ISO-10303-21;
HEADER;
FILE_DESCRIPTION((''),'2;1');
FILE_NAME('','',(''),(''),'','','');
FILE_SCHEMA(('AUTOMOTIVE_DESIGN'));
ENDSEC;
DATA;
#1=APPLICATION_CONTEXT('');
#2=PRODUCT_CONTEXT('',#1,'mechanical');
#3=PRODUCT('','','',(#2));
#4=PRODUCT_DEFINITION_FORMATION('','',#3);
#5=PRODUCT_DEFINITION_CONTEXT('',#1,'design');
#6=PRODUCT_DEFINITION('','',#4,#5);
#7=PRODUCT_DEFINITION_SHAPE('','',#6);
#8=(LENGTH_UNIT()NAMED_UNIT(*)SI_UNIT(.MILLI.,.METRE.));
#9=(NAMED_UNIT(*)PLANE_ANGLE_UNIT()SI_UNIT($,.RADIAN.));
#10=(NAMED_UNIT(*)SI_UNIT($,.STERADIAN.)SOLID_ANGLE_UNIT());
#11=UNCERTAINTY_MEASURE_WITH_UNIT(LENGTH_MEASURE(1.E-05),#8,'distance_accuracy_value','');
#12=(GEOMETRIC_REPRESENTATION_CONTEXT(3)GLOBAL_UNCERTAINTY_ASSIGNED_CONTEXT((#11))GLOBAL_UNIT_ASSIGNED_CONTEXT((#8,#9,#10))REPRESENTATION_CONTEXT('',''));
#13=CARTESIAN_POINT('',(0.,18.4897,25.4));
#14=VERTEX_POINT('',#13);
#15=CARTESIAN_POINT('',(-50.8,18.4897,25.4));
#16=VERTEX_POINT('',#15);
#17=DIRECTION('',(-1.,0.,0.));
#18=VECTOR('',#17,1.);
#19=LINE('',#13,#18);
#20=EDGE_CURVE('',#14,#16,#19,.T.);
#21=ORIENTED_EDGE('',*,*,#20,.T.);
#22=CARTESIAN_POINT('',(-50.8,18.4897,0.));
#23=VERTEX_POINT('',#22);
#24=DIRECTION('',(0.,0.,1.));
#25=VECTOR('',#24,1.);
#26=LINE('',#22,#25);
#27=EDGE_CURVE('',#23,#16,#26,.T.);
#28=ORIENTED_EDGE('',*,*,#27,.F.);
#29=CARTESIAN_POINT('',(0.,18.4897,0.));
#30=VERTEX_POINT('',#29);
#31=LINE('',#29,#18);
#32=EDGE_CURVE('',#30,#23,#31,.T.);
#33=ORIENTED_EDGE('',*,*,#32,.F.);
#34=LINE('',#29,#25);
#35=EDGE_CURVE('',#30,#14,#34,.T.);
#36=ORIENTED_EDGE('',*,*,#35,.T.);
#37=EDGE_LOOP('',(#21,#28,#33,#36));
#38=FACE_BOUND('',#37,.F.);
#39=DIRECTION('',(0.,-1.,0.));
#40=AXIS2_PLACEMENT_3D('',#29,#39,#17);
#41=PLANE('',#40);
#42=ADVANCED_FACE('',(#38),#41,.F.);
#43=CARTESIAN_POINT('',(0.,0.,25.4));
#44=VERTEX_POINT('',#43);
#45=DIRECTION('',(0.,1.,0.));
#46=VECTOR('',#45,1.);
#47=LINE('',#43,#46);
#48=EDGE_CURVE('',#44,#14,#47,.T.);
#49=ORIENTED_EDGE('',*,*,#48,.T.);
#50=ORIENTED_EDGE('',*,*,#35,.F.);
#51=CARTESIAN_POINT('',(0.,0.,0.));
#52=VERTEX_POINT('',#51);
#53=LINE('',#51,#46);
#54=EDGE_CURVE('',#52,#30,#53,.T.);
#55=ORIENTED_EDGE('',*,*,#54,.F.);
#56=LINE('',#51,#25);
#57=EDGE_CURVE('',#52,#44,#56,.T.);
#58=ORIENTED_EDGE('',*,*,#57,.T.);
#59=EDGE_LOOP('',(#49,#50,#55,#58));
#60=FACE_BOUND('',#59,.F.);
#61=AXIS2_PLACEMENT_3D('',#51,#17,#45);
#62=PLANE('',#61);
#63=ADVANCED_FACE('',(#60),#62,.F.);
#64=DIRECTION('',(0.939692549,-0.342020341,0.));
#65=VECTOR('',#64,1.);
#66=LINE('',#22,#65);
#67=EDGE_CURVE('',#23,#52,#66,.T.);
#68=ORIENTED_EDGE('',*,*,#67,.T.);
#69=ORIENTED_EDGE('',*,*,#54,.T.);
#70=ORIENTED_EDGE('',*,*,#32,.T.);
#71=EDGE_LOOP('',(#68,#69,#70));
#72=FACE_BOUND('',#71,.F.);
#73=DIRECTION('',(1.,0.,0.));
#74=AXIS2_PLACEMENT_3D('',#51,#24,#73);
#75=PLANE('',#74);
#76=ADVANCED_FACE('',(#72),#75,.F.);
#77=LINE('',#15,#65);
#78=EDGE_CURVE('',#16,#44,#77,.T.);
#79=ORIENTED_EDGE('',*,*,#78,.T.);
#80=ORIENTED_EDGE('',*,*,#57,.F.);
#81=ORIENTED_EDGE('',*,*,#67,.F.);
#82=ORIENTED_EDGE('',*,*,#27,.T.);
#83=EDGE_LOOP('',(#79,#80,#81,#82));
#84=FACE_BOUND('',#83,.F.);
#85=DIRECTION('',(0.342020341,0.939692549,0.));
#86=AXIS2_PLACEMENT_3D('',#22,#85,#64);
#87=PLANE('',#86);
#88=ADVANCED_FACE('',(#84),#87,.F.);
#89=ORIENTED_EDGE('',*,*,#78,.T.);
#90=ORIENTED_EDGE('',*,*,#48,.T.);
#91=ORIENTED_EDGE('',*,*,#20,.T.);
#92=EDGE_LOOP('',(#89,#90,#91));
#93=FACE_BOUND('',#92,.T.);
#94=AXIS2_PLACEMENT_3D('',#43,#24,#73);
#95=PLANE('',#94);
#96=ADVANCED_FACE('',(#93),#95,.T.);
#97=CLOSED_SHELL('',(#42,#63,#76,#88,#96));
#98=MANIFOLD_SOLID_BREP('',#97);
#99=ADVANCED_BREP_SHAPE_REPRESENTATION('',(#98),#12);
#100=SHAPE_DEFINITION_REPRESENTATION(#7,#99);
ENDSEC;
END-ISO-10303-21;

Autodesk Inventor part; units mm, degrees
ref_plane "YZ Plane" through (0, 0, 0) normal (1, 0, 0) x (0, 1, 0)
ref_plane "XZ Plane" through (0, 0, 0) normal (0, 1, 0) x (-1, 0, 0)
ref_plane "XY Plane" through (0, 0, 0) normal (0, 0, 1) x (1, 0, 0)
sketch "Sketch1" plane through (0, 0, 0) normal (0, 0, 1) x (1, 0, 0)
  line L0 (0, 0) -> (0, 18.4897)
  line L1 (0, 18.4897) -> (-50.8, 18.4897)
  line L2 (-50.8, 18.4897) -> (0, 0)
  dimension "d0" = 20
  dimension "d1" = 50.8
extrude "Extrusion1" add sketch "Sketch1" along normal blind 25.4
properties part number "LaunchAngle"
